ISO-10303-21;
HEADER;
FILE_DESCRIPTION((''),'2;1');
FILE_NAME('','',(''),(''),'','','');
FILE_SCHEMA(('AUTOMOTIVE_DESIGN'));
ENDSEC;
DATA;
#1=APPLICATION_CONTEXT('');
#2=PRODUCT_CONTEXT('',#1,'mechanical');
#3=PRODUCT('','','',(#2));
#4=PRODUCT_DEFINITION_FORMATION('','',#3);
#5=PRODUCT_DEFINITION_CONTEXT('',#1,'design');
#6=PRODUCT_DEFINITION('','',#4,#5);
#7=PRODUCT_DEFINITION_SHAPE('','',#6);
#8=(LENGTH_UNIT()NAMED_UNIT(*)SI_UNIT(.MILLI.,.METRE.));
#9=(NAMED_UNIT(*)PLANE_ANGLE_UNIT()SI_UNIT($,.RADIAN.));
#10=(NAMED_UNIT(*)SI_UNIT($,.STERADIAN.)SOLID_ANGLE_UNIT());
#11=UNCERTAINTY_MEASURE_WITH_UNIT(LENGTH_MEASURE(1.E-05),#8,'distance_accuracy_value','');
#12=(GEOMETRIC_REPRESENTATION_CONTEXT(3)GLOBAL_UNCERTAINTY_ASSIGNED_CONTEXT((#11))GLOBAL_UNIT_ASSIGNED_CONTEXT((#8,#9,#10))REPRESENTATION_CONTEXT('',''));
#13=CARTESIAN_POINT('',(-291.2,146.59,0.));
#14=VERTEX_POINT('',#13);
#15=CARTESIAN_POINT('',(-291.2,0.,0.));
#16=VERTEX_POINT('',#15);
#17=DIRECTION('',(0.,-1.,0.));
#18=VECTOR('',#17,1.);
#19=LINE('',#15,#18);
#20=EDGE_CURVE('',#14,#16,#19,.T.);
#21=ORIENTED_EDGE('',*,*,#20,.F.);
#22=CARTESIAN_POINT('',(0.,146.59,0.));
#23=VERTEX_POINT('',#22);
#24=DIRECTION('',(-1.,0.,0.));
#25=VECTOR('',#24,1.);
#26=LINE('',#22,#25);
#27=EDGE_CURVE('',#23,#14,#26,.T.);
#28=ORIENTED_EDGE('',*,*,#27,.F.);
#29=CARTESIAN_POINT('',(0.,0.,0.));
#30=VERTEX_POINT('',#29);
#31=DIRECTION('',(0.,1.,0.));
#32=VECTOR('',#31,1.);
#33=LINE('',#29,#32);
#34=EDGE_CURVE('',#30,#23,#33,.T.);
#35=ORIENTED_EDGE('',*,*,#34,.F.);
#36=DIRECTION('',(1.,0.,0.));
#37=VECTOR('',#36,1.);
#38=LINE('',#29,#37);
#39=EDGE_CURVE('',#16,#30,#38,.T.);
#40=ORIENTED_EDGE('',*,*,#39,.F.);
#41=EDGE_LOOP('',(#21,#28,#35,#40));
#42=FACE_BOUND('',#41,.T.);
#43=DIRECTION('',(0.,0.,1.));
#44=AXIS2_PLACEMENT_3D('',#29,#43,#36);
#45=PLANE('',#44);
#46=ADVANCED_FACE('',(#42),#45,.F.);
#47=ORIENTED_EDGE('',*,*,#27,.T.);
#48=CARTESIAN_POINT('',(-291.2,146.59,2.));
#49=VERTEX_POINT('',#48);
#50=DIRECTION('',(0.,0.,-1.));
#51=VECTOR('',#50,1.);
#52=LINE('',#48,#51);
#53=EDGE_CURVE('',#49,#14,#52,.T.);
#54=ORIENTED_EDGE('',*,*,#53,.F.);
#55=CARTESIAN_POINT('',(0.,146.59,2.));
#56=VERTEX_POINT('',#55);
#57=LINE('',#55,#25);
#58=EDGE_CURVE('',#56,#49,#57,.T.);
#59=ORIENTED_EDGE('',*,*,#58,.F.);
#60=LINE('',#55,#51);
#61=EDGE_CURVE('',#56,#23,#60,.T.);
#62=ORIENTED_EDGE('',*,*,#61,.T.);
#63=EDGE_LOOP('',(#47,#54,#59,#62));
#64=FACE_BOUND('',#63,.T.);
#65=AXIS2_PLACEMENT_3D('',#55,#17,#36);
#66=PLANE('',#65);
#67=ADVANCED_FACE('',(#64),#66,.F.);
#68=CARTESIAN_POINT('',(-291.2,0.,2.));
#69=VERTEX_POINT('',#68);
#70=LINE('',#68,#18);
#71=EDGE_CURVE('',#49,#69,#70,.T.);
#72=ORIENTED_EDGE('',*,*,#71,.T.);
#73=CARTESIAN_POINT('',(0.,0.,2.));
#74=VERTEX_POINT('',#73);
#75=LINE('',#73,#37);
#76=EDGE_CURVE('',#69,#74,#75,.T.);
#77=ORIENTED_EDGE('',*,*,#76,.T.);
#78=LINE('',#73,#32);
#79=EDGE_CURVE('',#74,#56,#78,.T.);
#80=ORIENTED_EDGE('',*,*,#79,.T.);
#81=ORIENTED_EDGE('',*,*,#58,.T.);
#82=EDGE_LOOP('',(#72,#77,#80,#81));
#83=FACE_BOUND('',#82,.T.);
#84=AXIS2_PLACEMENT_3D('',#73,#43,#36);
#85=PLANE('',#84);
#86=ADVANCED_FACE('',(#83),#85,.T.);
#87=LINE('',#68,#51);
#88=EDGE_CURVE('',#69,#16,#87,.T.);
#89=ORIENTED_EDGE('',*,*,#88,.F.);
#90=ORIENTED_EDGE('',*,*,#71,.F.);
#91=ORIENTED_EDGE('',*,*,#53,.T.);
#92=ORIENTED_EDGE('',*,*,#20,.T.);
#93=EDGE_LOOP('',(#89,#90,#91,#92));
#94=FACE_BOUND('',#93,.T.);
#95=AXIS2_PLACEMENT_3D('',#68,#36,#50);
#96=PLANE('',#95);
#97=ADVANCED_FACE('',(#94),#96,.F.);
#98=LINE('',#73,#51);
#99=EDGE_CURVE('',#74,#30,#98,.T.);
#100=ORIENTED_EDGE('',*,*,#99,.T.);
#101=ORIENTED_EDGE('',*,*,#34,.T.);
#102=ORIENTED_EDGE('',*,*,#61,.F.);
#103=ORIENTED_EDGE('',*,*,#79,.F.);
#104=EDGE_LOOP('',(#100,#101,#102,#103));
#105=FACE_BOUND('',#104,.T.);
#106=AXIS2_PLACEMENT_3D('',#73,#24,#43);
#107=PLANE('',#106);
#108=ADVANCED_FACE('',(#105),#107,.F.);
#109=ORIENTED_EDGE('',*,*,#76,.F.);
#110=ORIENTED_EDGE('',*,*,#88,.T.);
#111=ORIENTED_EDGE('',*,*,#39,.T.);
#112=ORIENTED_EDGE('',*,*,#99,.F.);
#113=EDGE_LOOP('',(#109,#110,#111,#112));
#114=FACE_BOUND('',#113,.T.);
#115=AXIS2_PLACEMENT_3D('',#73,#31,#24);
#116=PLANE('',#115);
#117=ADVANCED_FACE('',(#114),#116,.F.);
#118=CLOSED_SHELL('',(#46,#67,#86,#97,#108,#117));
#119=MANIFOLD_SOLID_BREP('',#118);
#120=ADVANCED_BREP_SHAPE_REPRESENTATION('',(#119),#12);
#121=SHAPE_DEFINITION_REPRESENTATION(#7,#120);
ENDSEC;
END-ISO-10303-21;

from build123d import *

# Parameters (mm, degrees)
SKETCH1_W           = 291.2
SKETCH1_H           = 146.59
BOSS_EXTRUDE1_DEPTH = 2


with BuildPart() as part:
    # Sketch1 → Boss-Extrude1 (new body)
    with BuildSketch(Plane.XY):
        with Locations((-145.6, 73.295)):
            Rectangle(SKETCH1_W, SKETCH1_H)
    extrude(amount=BOSS_EXTRUDE1_DEPTH)


solid = part.part
